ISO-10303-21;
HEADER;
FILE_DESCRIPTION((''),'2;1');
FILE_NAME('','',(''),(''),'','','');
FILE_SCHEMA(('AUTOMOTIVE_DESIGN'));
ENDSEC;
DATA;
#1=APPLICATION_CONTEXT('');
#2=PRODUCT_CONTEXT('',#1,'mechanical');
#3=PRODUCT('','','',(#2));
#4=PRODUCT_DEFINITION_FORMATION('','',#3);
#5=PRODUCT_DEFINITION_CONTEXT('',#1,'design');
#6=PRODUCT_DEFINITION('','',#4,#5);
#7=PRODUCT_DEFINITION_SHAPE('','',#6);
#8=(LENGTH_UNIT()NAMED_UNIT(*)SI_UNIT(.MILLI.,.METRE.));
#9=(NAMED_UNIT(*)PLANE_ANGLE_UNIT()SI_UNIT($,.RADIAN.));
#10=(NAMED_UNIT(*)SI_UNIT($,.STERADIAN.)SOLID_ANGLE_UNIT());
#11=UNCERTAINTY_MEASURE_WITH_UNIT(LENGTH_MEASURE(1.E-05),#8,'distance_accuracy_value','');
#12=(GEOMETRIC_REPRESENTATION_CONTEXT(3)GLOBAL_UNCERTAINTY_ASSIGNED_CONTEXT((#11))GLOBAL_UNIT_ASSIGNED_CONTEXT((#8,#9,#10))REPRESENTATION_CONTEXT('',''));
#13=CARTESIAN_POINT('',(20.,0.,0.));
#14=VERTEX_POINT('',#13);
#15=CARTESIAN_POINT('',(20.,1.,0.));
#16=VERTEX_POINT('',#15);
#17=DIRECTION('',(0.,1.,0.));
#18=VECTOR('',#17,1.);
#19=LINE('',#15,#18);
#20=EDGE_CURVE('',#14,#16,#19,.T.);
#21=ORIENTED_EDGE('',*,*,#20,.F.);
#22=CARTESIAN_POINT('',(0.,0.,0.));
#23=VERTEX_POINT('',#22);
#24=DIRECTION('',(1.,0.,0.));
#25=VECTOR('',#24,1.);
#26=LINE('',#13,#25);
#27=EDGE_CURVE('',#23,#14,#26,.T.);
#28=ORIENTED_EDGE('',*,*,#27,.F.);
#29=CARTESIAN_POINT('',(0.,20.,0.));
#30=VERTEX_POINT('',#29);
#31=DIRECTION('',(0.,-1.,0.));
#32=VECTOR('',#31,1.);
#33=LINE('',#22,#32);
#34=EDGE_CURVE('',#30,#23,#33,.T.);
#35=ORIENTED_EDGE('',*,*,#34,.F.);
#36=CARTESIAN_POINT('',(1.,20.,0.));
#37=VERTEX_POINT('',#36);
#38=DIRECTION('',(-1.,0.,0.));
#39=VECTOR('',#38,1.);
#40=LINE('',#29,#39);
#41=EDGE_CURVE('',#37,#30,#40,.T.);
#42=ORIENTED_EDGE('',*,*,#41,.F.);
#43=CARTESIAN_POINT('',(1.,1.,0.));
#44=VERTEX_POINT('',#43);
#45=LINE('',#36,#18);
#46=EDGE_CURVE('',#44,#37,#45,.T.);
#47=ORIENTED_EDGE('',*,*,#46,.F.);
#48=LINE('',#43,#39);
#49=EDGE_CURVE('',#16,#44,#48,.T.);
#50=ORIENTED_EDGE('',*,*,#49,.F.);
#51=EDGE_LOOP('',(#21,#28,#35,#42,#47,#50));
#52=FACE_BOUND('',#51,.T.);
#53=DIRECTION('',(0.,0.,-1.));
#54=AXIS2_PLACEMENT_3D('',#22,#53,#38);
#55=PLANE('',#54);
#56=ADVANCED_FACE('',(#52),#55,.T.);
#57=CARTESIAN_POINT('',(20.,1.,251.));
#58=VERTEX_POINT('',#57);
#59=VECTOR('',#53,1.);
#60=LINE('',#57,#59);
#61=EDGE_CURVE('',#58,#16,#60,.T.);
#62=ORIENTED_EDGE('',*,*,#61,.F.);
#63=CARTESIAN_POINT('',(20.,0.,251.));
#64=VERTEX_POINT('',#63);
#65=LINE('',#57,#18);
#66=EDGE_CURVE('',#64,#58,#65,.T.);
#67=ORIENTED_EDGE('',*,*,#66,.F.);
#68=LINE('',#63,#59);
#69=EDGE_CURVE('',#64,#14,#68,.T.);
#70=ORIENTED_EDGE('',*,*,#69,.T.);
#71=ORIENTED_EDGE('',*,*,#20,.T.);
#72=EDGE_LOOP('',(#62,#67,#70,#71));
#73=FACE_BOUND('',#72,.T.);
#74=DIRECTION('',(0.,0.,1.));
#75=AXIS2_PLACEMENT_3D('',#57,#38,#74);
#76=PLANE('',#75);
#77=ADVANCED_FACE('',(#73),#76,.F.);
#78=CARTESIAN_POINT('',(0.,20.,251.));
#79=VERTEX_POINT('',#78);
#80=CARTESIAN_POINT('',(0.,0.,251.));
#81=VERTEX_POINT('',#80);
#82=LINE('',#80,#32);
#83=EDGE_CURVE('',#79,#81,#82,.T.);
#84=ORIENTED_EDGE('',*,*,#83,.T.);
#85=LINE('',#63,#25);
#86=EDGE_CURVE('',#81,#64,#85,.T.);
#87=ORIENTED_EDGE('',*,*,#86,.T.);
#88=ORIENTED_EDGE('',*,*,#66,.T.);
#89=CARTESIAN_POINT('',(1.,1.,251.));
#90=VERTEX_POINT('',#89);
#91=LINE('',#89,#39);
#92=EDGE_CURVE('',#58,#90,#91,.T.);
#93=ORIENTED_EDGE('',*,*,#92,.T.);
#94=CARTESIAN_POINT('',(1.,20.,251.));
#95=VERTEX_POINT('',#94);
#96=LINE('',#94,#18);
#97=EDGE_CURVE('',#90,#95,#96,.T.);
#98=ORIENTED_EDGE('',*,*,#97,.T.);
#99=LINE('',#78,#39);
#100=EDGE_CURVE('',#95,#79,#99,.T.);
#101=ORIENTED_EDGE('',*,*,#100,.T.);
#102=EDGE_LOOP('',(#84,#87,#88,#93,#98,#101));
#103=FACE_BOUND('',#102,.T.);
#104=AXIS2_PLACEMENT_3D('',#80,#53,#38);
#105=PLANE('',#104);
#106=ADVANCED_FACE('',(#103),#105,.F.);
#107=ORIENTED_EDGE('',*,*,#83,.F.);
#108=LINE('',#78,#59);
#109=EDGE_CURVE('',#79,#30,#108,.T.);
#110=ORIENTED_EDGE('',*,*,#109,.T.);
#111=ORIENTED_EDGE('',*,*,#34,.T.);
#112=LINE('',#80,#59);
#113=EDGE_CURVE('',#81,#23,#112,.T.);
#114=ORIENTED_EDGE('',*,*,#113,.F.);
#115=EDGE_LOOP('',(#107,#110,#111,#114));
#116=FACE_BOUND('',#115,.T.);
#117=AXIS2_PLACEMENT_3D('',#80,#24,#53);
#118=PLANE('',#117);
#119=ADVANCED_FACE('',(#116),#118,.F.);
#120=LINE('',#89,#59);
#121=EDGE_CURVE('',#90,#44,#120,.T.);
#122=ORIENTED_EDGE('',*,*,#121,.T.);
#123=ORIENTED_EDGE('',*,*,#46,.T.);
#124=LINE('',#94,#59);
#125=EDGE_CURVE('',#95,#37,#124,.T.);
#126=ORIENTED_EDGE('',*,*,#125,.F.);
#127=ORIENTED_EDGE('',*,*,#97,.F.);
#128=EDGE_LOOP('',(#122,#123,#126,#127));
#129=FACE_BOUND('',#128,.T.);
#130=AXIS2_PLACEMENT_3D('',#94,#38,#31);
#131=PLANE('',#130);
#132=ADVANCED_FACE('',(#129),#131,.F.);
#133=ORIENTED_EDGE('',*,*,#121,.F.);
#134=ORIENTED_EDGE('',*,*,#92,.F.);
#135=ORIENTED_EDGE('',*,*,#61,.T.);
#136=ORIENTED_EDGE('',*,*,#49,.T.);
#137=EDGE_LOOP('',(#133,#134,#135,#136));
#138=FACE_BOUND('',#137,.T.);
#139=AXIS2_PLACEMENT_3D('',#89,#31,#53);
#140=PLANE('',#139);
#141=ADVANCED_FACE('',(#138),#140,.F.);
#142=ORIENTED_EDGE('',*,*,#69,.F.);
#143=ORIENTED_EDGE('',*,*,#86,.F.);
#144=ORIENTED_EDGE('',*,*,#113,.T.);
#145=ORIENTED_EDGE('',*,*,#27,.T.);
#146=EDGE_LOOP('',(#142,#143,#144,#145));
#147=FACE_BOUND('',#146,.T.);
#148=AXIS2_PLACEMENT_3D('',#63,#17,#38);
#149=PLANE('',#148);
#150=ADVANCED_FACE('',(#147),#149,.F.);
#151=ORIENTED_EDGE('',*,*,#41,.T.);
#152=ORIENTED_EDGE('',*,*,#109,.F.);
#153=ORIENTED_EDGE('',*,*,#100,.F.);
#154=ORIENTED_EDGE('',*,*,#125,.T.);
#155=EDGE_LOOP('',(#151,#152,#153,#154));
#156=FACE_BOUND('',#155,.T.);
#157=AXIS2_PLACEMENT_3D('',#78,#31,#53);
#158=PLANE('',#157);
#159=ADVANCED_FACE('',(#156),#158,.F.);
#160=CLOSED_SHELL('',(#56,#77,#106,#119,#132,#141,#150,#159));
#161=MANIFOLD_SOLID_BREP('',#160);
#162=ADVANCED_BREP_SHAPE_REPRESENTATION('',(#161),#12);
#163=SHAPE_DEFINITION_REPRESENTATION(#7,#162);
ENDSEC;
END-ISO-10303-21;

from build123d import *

# Parameters (mm, degrees)
EXTRUDE_1_DEPTH = 251


with BuildPart() as part:
    # Эскиз1 → Бобышка-Вытянуть1 (new body)
    with BuildSketch(Plane.XY):
        Polygon((0, 0), (0, 20), (1, 20), (1, 1), (20, 1), (20, 0), align=None)
    extrude(amount=EXTRUDE_1_DEPTH)


solid = part.part
